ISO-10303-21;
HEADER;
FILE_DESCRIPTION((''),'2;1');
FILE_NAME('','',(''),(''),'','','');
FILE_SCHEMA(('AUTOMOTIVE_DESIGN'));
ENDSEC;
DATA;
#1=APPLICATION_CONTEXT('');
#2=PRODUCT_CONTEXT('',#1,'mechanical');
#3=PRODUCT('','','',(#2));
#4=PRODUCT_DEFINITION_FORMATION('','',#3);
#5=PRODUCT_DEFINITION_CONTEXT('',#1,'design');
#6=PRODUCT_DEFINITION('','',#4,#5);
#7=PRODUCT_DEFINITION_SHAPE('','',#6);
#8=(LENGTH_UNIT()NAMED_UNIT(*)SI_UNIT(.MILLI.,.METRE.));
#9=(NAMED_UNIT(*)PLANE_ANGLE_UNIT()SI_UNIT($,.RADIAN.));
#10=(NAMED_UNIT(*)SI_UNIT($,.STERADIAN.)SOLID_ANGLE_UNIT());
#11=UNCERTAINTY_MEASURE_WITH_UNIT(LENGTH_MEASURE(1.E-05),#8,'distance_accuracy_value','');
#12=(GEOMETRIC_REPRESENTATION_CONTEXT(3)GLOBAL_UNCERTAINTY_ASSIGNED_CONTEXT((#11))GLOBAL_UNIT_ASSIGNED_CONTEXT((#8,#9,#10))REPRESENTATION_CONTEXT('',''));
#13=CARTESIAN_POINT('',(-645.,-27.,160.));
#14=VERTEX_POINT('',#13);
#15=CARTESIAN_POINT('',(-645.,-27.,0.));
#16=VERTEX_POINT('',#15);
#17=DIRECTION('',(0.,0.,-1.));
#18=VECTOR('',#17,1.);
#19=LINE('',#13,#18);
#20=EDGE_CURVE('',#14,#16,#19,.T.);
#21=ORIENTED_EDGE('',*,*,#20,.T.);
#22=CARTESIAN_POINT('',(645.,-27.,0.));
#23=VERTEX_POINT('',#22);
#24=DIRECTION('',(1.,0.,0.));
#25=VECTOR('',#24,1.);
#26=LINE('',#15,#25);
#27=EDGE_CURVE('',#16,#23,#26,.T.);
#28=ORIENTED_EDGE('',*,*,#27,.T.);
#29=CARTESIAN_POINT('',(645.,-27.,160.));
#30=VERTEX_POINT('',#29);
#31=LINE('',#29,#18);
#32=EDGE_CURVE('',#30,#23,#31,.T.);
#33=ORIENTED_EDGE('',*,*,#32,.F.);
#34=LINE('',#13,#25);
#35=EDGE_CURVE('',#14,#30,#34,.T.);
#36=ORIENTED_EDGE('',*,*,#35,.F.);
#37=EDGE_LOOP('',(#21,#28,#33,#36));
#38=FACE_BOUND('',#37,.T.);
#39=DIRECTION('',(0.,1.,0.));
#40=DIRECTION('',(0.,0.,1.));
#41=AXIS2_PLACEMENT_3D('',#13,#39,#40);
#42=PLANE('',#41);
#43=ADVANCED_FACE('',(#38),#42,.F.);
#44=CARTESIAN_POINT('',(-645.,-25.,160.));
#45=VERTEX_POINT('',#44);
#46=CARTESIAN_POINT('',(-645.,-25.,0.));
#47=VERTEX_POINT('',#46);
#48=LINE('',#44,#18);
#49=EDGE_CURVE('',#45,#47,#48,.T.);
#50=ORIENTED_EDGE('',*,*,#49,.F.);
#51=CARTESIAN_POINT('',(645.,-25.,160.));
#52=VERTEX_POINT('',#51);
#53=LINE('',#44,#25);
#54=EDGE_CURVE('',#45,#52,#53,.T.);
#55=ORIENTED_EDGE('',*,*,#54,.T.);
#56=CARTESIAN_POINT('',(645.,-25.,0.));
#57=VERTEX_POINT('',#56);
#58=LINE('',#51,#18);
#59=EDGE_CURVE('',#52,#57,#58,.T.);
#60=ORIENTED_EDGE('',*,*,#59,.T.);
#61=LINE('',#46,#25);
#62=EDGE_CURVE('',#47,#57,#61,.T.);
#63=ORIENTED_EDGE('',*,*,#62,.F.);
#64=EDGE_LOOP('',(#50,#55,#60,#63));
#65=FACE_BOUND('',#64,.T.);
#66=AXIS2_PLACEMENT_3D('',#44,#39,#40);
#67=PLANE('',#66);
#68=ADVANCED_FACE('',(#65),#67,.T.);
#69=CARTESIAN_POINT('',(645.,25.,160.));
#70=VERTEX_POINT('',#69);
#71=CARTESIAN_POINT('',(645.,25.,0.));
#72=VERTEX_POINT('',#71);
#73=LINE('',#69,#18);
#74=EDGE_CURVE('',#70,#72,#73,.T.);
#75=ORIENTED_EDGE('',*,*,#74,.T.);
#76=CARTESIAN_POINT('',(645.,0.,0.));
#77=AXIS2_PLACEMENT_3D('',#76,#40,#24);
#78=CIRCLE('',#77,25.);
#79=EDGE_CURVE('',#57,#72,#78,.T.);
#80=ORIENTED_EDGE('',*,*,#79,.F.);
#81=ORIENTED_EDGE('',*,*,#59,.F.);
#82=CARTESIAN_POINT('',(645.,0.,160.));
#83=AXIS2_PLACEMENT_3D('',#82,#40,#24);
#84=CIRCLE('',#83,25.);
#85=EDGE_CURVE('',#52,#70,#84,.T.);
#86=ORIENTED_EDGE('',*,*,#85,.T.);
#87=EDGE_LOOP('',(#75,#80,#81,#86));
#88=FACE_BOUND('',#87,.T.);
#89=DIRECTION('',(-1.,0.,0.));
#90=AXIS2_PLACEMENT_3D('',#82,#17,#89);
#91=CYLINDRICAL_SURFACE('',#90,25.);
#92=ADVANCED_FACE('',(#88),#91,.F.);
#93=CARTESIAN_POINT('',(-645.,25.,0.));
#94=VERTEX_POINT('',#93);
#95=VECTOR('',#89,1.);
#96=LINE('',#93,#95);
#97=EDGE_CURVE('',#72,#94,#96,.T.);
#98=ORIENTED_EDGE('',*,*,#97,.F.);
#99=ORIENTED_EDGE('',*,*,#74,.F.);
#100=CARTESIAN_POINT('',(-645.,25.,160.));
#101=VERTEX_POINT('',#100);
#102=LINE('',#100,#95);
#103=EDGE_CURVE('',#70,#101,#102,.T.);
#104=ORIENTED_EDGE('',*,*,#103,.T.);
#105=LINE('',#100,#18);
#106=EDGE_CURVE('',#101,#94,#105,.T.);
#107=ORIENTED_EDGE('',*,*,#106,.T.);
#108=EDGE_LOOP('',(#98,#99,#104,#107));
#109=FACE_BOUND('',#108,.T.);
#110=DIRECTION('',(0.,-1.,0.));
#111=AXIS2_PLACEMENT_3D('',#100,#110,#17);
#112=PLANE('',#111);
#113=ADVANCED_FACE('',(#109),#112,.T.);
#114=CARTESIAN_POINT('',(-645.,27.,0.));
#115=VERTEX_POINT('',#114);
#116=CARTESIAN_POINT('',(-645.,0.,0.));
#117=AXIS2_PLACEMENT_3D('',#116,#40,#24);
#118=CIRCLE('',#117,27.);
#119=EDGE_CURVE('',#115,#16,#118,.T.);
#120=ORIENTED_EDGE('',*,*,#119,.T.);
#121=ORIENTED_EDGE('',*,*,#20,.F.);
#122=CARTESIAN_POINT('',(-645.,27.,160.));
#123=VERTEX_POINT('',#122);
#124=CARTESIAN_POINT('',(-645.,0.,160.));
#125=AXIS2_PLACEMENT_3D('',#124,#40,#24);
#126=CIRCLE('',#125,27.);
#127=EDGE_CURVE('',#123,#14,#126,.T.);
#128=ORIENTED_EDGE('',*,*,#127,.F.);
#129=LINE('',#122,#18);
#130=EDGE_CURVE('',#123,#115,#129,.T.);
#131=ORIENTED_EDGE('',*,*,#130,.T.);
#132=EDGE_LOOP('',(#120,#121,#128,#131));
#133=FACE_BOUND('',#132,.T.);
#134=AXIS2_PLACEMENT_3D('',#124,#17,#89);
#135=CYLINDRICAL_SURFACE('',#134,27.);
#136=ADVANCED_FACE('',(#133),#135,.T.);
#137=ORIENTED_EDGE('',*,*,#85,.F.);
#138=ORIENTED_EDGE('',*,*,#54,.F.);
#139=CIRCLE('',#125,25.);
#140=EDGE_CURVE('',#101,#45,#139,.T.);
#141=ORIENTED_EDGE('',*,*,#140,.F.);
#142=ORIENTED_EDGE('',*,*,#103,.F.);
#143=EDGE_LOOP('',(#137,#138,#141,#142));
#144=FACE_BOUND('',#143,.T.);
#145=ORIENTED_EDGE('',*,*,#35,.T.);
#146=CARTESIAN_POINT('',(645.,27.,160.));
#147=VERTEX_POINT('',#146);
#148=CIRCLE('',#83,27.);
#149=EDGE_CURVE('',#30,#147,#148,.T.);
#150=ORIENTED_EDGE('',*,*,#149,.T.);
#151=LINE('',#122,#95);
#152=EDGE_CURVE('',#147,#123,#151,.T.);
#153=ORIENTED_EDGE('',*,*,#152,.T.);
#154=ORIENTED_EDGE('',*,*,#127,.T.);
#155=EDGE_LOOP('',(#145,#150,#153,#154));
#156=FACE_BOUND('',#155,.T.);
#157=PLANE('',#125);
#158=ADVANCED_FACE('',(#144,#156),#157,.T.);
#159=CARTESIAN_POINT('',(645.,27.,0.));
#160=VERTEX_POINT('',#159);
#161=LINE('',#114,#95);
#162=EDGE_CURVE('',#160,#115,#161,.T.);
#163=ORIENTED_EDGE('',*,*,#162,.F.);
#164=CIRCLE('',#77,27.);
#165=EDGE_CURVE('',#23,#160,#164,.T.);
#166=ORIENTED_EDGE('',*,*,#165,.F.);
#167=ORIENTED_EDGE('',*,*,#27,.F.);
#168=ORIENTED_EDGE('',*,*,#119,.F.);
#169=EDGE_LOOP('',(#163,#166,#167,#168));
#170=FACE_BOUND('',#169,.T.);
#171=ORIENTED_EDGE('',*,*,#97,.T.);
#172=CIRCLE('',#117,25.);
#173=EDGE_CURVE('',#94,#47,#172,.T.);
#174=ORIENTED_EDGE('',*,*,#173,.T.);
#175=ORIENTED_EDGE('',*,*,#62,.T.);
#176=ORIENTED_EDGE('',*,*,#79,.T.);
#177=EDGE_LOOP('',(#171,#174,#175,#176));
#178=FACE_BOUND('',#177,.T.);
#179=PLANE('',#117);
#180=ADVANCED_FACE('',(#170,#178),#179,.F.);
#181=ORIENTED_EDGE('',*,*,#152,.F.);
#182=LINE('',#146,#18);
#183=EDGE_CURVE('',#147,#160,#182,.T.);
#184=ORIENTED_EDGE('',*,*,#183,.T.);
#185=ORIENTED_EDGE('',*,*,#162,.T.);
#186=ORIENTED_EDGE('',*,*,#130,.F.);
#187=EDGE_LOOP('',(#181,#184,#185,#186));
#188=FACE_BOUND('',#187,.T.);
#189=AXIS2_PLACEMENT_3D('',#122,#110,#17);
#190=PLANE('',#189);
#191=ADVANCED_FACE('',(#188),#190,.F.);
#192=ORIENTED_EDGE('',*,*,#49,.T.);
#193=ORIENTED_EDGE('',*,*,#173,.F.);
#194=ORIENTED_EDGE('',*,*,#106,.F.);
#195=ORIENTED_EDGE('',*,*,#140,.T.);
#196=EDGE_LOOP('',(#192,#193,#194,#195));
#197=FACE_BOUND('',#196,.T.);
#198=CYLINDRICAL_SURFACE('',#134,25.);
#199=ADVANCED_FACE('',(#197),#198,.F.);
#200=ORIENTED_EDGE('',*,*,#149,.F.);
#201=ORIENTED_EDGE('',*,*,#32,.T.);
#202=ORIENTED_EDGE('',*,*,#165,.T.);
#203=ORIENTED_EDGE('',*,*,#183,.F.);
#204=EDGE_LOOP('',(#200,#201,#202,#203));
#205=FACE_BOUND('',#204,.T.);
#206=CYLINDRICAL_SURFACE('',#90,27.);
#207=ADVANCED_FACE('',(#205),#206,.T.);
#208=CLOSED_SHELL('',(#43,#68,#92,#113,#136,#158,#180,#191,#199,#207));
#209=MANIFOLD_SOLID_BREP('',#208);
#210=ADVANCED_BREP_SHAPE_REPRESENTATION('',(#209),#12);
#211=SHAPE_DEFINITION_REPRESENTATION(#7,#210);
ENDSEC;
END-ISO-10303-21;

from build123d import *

# Parameters (mm, degrees)
BOSS_EXTRUDE1_DEPTH = 160


with BuildPart() as part:
    # Sketch1 → Boss-Extrude1 (new body)
    with BuildSketch(Plane.XY):
        with BuildLine():
            Line((-645, 27), (645, 27))
            ThreePointArc((645, 27), (672, 0), (645, -27))
            Line((645, -27), (-645, -27))
            ThreePointArc((-645, -27), (-672, 0), (-645, 27))
        make_face()
        with BuildLine():
            Line((-645, 25), (645, 25))
            ThreePointArc((645, 25), (670, 0), (645, -25))
            Line((645, -25), (-645, -25))
            ThreePointArc((-645, -25), (-670, 0), (-645, 25))
        make_face(mode=Mode.SUBTRACT)
    extrude(amount=BOSS_EXTRUDE1_DEPTH)


solid = part.part
